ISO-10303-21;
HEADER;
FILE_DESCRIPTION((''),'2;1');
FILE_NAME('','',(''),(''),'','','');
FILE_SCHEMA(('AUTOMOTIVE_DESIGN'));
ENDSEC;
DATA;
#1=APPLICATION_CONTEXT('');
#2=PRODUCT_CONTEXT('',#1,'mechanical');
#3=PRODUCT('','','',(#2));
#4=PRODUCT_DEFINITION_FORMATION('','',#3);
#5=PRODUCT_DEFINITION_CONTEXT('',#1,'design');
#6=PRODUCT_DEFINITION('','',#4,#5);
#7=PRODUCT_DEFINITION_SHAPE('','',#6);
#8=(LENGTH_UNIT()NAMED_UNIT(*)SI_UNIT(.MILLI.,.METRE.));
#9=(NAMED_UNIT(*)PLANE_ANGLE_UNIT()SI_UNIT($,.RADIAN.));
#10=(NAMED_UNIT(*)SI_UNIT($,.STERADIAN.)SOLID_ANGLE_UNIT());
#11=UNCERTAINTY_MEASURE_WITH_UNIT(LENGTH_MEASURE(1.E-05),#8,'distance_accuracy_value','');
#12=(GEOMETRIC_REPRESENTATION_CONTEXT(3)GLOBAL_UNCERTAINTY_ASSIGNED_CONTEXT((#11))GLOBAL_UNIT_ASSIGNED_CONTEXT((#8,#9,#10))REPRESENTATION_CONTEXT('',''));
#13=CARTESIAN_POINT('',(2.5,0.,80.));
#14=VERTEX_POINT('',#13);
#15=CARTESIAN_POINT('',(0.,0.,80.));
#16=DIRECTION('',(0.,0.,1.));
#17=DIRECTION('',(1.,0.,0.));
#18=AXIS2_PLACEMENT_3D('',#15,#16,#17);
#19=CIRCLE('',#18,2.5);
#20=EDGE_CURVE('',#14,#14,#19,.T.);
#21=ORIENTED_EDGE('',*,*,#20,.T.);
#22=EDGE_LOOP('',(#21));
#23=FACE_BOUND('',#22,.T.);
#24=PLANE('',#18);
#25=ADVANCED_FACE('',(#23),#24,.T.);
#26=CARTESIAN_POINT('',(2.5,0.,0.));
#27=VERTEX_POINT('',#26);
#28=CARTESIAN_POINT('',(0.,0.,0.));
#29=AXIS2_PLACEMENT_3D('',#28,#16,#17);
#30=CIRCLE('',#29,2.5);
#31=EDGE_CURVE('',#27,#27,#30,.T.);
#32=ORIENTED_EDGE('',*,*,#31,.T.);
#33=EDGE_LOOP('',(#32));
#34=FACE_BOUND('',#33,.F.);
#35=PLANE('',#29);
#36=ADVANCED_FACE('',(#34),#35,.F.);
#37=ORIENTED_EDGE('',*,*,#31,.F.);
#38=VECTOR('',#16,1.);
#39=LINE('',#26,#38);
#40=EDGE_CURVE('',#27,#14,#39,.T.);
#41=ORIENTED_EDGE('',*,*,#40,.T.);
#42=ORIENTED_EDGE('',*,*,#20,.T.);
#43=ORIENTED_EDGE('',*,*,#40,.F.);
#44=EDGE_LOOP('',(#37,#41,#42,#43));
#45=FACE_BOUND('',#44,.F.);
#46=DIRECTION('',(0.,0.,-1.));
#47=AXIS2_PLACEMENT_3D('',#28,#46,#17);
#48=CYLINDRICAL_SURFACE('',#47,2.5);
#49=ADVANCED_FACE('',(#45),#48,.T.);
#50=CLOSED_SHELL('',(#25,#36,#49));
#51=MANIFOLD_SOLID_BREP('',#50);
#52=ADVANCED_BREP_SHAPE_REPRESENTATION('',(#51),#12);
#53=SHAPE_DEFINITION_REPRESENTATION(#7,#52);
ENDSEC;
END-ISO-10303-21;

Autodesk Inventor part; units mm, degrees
ref_plane "YZ Plane" through (0, 0, 0) normal (1, 0, 0) x (0, 1, 0)
ref_plane "XZ Plane" through (0, 0, 0) normal (0, 1, 0) x (-1, 0, 0)
ref_plane "XY Plane" through (0, 0, 0) normal (0, 0, 1) x (1, 0, 0)
sketch "Sketch1" plane through (0, 0, 0) normal (0, 0, 1) x (1, 0, 0)
  circle A0 centre (0, 0) radius 2.5
  dimension "d0" = 5
extrude "Extrusion1" add sketch "Sketch1" along normal blind 80
properties part number "cf rod"
